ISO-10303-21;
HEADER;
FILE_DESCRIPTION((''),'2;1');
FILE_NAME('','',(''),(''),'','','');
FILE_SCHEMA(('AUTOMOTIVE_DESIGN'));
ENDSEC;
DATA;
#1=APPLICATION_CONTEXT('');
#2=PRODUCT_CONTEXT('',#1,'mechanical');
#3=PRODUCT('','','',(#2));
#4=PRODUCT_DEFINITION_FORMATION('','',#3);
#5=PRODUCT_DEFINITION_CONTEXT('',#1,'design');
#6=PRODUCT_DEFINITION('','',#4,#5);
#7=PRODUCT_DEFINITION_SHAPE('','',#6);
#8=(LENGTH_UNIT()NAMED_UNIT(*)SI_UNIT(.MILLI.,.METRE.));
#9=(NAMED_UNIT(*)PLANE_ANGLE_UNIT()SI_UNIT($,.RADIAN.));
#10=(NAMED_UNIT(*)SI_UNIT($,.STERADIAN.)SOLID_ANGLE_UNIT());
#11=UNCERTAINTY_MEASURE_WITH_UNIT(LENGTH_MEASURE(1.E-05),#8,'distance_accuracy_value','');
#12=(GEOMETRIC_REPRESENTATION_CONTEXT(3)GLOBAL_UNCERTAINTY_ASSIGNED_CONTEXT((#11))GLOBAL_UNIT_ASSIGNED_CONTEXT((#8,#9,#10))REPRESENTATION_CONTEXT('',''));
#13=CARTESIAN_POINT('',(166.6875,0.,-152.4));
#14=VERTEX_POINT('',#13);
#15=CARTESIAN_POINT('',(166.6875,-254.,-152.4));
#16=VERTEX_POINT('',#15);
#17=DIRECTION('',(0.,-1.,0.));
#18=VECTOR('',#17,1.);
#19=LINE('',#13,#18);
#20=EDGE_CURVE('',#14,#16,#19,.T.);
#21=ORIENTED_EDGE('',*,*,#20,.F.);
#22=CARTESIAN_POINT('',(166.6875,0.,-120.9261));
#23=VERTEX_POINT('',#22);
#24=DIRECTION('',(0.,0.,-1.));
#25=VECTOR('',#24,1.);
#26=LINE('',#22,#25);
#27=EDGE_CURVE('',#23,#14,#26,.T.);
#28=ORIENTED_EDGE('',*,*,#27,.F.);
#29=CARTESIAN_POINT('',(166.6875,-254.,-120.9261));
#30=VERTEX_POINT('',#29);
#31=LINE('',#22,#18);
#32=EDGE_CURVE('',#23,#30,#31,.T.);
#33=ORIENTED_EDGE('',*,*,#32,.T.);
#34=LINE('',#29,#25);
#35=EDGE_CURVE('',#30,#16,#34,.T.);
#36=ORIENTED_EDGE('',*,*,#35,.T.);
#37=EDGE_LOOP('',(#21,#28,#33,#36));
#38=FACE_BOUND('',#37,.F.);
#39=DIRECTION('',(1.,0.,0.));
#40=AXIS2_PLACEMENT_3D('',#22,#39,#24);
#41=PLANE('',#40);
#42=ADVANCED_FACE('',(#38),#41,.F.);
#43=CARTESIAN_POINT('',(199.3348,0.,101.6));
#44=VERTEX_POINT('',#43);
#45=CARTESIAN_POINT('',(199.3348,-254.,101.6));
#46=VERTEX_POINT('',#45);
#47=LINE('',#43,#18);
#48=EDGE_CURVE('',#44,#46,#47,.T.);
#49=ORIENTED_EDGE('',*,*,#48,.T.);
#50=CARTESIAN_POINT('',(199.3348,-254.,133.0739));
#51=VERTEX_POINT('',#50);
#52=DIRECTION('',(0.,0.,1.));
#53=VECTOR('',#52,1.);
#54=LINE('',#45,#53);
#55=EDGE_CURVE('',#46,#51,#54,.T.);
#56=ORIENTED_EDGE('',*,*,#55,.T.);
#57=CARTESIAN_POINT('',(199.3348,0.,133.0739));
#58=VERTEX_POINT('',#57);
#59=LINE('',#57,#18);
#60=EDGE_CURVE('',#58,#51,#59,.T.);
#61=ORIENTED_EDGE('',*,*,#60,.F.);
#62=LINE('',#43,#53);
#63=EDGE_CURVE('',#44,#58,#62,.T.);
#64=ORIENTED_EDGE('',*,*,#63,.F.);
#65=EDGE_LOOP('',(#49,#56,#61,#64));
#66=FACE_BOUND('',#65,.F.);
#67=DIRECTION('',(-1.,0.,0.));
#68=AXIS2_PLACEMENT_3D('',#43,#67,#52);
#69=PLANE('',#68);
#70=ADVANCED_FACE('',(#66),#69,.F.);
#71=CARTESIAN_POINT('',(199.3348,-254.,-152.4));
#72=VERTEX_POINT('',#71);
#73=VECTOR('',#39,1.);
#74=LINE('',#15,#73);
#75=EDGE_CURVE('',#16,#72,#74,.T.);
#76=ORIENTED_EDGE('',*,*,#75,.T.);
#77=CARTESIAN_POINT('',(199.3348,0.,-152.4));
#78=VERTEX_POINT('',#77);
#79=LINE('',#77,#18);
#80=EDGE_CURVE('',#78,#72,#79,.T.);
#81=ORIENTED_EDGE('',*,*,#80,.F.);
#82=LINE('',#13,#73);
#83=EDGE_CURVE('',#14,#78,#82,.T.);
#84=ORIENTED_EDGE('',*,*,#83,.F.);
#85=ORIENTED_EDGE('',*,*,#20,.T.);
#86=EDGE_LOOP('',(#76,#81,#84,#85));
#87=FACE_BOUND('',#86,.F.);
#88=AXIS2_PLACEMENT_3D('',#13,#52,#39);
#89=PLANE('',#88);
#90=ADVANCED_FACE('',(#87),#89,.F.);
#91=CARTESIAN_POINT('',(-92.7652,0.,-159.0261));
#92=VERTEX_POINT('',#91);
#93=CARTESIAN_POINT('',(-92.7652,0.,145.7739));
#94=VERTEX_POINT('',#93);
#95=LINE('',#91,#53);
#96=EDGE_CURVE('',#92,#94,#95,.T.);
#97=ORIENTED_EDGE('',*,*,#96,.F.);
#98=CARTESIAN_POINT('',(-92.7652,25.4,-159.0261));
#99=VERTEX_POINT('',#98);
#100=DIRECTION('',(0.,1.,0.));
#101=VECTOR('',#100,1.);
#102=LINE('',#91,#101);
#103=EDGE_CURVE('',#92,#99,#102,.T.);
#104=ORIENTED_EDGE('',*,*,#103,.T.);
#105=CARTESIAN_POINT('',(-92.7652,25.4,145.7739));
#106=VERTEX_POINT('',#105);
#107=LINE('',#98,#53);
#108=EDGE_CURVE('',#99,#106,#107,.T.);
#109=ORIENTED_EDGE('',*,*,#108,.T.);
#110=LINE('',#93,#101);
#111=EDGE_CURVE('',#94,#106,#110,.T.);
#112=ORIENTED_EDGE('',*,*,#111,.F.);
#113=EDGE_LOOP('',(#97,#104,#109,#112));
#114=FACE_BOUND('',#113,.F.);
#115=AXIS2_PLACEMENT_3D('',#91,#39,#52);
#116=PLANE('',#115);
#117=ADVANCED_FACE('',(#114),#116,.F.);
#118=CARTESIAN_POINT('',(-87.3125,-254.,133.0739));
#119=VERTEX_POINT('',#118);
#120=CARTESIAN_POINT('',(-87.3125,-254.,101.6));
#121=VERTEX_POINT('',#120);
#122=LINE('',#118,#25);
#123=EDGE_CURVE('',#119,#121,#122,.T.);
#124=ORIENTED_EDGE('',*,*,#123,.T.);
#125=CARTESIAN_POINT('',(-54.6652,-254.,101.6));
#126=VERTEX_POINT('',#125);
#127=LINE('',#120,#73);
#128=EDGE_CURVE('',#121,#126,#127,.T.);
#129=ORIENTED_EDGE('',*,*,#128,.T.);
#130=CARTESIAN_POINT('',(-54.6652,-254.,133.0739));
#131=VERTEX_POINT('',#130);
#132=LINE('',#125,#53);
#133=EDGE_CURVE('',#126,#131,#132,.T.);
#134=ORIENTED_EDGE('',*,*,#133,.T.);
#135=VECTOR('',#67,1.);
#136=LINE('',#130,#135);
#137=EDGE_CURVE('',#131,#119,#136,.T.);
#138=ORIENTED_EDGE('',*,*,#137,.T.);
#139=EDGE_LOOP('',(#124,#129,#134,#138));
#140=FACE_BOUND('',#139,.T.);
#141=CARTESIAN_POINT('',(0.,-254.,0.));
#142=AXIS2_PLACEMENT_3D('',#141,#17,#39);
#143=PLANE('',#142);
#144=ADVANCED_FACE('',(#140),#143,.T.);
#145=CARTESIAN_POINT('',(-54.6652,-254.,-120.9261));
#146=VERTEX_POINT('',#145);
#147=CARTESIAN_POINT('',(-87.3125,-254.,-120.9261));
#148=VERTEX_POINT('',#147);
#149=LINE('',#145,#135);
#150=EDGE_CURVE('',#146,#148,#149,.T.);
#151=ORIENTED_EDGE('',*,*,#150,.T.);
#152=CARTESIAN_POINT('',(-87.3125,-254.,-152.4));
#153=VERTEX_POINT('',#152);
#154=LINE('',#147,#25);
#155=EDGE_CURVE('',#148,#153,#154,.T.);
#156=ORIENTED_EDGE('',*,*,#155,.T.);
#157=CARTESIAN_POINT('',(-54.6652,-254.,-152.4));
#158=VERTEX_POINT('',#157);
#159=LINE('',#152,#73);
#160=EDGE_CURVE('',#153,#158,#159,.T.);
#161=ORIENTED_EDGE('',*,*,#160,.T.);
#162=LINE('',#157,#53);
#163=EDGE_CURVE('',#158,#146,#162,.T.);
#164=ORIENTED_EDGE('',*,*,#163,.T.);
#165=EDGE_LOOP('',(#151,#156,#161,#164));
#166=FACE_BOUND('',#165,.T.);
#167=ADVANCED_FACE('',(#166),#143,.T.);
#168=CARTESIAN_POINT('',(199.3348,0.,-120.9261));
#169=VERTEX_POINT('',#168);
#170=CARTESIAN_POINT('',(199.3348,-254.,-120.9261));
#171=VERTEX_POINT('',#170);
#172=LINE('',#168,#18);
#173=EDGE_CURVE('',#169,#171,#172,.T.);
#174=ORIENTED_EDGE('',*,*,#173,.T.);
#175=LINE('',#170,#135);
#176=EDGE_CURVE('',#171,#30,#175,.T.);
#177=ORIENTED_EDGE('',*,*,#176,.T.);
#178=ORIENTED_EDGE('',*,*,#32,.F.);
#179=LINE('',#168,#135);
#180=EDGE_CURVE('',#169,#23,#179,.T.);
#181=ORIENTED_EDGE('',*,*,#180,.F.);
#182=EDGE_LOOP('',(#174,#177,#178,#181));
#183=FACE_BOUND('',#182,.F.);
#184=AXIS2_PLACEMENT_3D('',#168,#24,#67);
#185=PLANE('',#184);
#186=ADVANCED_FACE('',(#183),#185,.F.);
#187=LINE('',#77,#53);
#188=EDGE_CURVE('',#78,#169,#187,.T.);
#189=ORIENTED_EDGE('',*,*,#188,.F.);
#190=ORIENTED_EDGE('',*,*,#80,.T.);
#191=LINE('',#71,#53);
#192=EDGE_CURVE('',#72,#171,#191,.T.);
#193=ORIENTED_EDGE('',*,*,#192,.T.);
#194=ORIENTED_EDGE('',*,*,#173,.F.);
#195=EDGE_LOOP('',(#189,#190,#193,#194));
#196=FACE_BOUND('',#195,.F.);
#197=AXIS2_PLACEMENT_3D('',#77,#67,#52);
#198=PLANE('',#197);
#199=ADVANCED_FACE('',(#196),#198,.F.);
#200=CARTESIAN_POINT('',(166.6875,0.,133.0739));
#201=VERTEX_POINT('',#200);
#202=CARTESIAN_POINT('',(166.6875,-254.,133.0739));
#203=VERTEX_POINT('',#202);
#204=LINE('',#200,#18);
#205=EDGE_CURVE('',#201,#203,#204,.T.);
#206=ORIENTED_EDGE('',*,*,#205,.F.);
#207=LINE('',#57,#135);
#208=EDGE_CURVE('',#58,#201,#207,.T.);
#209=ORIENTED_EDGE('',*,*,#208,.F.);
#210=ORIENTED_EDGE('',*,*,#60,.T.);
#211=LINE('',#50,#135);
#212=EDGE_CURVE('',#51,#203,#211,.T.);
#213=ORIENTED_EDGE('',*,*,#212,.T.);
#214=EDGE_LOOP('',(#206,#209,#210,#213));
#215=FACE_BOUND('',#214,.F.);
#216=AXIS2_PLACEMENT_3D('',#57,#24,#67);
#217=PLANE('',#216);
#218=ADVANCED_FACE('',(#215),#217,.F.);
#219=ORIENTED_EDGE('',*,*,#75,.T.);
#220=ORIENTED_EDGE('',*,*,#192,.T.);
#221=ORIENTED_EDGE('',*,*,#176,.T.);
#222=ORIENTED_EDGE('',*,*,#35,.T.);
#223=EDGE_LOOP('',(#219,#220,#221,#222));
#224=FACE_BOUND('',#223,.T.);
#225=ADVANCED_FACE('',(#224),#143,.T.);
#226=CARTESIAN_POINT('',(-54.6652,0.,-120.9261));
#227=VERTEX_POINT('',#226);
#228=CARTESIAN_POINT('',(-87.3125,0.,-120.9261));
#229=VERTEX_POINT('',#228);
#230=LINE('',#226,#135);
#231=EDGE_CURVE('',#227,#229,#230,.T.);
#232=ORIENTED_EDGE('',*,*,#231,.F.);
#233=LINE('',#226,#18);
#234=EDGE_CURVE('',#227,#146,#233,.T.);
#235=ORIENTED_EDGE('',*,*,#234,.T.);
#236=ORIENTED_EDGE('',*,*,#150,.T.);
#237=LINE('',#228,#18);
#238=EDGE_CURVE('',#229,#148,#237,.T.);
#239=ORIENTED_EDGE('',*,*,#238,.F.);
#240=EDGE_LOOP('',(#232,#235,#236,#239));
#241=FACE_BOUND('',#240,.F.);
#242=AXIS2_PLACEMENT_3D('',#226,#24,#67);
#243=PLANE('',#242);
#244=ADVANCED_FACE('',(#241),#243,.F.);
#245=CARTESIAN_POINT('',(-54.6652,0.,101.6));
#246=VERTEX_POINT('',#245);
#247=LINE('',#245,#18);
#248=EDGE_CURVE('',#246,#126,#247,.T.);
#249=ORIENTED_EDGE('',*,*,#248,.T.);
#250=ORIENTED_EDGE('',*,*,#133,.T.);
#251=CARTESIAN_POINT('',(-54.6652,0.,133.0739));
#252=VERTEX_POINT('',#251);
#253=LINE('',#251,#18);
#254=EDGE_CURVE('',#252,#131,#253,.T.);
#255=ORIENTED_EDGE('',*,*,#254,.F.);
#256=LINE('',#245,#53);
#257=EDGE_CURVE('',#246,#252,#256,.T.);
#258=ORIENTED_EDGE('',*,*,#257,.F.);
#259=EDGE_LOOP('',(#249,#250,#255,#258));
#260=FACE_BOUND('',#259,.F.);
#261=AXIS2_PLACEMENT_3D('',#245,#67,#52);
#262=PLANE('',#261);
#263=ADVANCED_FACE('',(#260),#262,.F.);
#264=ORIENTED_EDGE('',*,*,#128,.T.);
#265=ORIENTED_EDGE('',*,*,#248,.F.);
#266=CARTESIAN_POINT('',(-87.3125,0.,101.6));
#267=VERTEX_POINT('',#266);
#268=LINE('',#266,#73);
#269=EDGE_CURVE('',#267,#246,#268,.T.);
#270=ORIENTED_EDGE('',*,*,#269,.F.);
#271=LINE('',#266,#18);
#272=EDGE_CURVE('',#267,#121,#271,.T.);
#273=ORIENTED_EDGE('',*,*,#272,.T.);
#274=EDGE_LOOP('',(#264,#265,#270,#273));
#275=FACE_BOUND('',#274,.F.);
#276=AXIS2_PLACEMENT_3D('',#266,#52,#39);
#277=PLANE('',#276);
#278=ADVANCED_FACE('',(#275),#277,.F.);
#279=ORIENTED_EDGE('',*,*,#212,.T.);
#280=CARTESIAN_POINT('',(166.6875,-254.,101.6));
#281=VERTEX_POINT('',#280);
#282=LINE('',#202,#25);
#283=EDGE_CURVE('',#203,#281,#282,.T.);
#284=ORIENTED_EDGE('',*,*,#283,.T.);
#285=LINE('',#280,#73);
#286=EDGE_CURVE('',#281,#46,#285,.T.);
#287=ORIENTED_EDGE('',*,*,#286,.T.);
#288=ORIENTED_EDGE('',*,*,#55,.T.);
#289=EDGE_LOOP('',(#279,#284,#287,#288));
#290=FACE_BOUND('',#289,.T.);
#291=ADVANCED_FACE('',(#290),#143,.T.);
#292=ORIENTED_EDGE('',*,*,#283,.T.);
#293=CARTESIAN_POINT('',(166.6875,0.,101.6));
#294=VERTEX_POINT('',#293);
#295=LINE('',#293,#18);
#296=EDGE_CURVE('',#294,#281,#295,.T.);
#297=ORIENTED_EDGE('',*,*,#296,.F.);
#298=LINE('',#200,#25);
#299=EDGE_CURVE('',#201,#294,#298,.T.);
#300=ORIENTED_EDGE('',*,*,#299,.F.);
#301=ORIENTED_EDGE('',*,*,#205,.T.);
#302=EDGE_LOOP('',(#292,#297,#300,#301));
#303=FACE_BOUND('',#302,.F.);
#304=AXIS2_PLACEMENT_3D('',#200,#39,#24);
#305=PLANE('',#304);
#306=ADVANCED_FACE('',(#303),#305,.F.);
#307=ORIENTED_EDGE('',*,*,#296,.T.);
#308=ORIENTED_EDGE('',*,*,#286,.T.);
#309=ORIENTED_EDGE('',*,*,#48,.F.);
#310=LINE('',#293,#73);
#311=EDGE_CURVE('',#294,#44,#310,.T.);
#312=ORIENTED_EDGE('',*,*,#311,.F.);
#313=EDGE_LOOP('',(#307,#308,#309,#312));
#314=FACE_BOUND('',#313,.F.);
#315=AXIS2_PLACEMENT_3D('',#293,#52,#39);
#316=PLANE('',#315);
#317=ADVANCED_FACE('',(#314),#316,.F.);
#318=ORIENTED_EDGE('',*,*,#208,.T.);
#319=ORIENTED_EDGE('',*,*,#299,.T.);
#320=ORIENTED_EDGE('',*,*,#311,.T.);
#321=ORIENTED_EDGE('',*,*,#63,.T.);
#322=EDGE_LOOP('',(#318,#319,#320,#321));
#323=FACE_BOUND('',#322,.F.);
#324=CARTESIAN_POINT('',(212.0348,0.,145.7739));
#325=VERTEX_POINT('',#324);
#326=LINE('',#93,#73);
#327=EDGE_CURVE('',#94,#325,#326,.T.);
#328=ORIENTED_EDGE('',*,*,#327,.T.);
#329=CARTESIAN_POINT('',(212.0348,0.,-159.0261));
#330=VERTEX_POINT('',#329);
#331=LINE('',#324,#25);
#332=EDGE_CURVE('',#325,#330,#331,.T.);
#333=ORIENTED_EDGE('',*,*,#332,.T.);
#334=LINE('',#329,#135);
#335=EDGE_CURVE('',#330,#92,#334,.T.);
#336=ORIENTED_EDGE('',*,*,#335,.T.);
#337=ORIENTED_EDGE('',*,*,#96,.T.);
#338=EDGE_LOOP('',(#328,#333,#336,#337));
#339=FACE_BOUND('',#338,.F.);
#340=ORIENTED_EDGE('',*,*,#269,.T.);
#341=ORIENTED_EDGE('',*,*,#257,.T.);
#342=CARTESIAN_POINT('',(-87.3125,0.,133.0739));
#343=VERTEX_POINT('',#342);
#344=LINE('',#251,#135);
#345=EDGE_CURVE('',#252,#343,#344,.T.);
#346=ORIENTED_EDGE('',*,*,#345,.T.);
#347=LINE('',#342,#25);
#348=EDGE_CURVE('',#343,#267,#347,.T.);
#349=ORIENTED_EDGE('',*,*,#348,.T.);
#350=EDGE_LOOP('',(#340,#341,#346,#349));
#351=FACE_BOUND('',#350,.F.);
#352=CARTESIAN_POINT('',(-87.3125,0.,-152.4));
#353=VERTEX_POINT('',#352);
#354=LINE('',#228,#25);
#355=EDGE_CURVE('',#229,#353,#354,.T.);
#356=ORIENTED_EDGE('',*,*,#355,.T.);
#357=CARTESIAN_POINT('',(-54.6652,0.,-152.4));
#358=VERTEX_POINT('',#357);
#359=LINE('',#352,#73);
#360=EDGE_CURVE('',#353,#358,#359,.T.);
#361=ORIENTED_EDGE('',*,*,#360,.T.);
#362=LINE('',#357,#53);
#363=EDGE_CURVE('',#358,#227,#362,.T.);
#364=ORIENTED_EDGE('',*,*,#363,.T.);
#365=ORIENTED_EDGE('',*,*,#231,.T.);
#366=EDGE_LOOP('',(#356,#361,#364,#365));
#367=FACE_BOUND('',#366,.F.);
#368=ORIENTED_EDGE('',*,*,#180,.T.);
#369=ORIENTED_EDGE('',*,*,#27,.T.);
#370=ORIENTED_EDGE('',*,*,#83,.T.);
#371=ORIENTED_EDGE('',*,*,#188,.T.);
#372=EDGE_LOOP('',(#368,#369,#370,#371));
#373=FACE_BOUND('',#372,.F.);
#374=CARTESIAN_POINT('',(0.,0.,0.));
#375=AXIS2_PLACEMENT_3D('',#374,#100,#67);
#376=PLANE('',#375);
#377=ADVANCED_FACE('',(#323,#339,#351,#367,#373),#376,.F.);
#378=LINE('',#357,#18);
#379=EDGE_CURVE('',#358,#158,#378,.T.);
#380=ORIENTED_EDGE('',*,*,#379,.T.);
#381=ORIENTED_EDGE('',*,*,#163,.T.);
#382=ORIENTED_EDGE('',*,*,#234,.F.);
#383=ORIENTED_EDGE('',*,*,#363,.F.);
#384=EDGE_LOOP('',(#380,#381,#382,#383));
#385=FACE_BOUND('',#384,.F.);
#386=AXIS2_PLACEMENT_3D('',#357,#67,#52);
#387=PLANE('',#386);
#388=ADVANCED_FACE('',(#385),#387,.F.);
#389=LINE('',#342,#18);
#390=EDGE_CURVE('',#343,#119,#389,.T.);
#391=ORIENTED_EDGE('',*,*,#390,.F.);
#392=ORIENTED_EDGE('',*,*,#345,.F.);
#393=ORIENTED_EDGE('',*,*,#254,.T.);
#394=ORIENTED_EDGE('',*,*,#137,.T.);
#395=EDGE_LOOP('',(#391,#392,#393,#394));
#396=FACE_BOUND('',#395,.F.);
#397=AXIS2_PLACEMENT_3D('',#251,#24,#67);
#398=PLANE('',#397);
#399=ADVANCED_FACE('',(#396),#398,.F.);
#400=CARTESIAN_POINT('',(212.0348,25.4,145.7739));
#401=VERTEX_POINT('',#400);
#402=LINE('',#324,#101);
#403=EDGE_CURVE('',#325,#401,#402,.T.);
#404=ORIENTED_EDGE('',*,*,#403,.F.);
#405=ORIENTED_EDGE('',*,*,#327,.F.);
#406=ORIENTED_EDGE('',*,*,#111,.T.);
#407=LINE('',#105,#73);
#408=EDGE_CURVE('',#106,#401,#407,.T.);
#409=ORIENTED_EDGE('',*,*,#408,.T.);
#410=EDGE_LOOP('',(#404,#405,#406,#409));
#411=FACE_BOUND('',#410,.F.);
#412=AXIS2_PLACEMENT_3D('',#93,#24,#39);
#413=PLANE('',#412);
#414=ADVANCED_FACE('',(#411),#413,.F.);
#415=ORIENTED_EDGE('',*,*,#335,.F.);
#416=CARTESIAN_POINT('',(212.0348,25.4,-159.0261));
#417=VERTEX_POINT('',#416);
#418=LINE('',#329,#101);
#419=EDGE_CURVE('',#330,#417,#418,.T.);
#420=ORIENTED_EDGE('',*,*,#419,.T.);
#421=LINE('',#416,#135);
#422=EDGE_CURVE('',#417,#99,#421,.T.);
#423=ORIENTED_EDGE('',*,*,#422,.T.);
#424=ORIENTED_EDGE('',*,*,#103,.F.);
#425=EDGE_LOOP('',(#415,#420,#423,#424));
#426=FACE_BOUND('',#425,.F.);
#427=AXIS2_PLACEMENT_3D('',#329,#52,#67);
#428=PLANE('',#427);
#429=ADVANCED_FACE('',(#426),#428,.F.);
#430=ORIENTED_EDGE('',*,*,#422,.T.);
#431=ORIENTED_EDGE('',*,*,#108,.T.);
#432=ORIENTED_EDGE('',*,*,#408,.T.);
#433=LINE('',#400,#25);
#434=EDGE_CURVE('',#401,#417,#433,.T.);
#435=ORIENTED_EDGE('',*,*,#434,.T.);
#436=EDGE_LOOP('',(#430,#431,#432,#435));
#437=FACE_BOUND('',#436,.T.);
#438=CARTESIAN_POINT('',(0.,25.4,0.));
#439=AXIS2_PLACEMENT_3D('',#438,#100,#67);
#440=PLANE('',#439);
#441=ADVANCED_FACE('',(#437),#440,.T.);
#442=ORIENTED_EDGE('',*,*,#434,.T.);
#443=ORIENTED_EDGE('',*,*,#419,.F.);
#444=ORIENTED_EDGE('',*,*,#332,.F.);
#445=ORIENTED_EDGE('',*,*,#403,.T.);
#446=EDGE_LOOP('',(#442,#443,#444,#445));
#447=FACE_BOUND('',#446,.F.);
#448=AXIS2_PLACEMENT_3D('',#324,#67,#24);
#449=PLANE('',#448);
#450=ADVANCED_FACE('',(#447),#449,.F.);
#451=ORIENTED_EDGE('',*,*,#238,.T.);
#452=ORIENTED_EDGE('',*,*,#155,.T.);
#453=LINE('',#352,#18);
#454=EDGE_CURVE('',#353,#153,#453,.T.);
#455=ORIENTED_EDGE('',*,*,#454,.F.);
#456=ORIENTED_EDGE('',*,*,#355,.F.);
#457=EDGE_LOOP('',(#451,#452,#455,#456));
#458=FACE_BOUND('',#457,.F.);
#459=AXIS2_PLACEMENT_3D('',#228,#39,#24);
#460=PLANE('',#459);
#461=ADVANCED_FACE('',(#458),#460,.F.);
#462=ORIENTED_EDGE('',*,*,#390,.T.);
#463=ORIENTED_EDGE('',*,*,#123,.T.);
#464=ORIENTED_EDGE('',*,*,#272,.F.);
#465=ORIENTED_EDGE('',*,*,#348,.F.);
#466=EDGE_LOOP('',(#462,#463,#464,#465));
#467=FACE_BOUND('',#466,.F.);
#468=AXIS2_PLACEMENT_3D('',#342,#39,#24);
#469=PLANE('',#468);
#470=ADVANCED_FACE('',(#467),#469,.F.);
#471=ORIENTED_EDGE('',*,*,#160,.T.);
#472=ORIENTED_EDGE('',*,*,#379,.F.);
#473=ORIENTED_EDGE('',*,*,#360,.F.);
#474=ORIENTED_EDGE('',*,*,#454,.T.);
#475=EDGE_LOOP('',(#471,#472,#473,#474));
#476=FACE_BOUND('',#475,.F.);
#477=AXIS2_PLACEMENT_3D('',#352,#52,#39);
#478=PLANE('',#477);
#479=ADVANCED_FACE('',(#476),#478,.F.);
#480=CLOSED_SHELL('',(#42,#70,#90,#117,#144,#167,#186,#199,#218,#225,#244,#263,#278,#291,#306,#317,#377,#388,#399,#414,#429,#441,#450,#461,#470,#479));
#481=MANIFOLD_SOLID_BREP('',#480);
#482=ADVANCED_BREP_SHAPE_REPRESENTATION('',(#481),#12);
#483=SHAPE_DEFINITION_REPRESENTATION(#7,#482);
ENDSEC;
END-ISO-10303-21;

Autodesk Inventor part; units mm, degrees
ref_plane "YZ Plane" through (0, 0, 0) normal (1, 0, 0) x (0, 1, 0)
ref_plane "XZ Plane" through (0, 0, 0) normal (0, 1, 0) x (-1, 0, 0)
ref_plane "XY Plane" through (0, 0, 0) normal (0, 0, 1) x (1, 0, 0)
sketch "Sketch1" plane through (0, 0, 0) normal (0, 1, 0) x (-1, 0, 0)
  line L0 (92.7652, 145.7739) -> (-212.0348, 145.7739)
  line L1 (-212.0348, 145.7739) -> (-212.0348, -159.0261)
  line L2 (-212.0348, -159.0261) -> (92.7652, -159.0261)
  line L3 (92.7652, -159.0261) -> (92.7652, 145.7739)
  point P0 (0, 0)
  dimension "d0" = 304.8
  dimension "d1" = 304.8
extrude "Extrusion1" add sketch "Sketch1" along normal blind 25.4
sketch "Sketch2" plane through (0, 0, 0) normal (0, -1, 0) x (1, 0, 0)
  line L0 (199.3348, 133.0739) -> (166.6875, 133.0739)
  line L1 (166.6875, 133.0739) -> (166.6875, 101.6)
  line L2 (166.6875, 101.6) -> (199.3348, 101.6)
  line L3 (199.3348, 101.6) -> (199.3348, 133.0739)
  line L4 (212.0348, 145.7739) -> (212.0348, -159.0261) projected
  line L5 (-92.7652, 145.7739) -> (212.0348, 145.7739) projected
  line L6 (166.6875, -120.9261) -> (166.6875, -152.4)
  line L7 (199.3348, -120.9261) -> (166.6875, -120.9261)
  line L8 (199.3348, -152.4) -> (199.3348, -120.9261)
  line L9 (166.6875, -152.4) -> (199.3348, -152.4)
  line L10 (-87.3125, 133.0739) -> (-87.3125, 101.6)
  line L11 (-54.6652, 133.0739) -> (-87.3125, 133.0739)
  line L12 (-54.6652, 101.6) -> (-54.6652, 133.0739)
  line L13 (-87.3125, 101.6) -> (-54.6652, 101.6)
  line L14 (-87.3125, -120.9261) -> (-87.3125, -152.4)
  line L15 (-54.6652, -120.9261) -> (-87.3125, -120.9261)
  line L16 (-54.6652, -152.4) -> (-54.6652, -120.9261)
  line L17 (-87.3125, -152.4) -> (-54.6652, -152.4)
  point P0 (0, 0)
  dimension "d4" = 12.7
  dimension "d5" = 12.7
  dimension "d8" = 254
  dimension "d11" = 254
extrude "Extrusion2" add sketch "Sketch2" along normal blind 254
properties part number "Tabl 12x12"
